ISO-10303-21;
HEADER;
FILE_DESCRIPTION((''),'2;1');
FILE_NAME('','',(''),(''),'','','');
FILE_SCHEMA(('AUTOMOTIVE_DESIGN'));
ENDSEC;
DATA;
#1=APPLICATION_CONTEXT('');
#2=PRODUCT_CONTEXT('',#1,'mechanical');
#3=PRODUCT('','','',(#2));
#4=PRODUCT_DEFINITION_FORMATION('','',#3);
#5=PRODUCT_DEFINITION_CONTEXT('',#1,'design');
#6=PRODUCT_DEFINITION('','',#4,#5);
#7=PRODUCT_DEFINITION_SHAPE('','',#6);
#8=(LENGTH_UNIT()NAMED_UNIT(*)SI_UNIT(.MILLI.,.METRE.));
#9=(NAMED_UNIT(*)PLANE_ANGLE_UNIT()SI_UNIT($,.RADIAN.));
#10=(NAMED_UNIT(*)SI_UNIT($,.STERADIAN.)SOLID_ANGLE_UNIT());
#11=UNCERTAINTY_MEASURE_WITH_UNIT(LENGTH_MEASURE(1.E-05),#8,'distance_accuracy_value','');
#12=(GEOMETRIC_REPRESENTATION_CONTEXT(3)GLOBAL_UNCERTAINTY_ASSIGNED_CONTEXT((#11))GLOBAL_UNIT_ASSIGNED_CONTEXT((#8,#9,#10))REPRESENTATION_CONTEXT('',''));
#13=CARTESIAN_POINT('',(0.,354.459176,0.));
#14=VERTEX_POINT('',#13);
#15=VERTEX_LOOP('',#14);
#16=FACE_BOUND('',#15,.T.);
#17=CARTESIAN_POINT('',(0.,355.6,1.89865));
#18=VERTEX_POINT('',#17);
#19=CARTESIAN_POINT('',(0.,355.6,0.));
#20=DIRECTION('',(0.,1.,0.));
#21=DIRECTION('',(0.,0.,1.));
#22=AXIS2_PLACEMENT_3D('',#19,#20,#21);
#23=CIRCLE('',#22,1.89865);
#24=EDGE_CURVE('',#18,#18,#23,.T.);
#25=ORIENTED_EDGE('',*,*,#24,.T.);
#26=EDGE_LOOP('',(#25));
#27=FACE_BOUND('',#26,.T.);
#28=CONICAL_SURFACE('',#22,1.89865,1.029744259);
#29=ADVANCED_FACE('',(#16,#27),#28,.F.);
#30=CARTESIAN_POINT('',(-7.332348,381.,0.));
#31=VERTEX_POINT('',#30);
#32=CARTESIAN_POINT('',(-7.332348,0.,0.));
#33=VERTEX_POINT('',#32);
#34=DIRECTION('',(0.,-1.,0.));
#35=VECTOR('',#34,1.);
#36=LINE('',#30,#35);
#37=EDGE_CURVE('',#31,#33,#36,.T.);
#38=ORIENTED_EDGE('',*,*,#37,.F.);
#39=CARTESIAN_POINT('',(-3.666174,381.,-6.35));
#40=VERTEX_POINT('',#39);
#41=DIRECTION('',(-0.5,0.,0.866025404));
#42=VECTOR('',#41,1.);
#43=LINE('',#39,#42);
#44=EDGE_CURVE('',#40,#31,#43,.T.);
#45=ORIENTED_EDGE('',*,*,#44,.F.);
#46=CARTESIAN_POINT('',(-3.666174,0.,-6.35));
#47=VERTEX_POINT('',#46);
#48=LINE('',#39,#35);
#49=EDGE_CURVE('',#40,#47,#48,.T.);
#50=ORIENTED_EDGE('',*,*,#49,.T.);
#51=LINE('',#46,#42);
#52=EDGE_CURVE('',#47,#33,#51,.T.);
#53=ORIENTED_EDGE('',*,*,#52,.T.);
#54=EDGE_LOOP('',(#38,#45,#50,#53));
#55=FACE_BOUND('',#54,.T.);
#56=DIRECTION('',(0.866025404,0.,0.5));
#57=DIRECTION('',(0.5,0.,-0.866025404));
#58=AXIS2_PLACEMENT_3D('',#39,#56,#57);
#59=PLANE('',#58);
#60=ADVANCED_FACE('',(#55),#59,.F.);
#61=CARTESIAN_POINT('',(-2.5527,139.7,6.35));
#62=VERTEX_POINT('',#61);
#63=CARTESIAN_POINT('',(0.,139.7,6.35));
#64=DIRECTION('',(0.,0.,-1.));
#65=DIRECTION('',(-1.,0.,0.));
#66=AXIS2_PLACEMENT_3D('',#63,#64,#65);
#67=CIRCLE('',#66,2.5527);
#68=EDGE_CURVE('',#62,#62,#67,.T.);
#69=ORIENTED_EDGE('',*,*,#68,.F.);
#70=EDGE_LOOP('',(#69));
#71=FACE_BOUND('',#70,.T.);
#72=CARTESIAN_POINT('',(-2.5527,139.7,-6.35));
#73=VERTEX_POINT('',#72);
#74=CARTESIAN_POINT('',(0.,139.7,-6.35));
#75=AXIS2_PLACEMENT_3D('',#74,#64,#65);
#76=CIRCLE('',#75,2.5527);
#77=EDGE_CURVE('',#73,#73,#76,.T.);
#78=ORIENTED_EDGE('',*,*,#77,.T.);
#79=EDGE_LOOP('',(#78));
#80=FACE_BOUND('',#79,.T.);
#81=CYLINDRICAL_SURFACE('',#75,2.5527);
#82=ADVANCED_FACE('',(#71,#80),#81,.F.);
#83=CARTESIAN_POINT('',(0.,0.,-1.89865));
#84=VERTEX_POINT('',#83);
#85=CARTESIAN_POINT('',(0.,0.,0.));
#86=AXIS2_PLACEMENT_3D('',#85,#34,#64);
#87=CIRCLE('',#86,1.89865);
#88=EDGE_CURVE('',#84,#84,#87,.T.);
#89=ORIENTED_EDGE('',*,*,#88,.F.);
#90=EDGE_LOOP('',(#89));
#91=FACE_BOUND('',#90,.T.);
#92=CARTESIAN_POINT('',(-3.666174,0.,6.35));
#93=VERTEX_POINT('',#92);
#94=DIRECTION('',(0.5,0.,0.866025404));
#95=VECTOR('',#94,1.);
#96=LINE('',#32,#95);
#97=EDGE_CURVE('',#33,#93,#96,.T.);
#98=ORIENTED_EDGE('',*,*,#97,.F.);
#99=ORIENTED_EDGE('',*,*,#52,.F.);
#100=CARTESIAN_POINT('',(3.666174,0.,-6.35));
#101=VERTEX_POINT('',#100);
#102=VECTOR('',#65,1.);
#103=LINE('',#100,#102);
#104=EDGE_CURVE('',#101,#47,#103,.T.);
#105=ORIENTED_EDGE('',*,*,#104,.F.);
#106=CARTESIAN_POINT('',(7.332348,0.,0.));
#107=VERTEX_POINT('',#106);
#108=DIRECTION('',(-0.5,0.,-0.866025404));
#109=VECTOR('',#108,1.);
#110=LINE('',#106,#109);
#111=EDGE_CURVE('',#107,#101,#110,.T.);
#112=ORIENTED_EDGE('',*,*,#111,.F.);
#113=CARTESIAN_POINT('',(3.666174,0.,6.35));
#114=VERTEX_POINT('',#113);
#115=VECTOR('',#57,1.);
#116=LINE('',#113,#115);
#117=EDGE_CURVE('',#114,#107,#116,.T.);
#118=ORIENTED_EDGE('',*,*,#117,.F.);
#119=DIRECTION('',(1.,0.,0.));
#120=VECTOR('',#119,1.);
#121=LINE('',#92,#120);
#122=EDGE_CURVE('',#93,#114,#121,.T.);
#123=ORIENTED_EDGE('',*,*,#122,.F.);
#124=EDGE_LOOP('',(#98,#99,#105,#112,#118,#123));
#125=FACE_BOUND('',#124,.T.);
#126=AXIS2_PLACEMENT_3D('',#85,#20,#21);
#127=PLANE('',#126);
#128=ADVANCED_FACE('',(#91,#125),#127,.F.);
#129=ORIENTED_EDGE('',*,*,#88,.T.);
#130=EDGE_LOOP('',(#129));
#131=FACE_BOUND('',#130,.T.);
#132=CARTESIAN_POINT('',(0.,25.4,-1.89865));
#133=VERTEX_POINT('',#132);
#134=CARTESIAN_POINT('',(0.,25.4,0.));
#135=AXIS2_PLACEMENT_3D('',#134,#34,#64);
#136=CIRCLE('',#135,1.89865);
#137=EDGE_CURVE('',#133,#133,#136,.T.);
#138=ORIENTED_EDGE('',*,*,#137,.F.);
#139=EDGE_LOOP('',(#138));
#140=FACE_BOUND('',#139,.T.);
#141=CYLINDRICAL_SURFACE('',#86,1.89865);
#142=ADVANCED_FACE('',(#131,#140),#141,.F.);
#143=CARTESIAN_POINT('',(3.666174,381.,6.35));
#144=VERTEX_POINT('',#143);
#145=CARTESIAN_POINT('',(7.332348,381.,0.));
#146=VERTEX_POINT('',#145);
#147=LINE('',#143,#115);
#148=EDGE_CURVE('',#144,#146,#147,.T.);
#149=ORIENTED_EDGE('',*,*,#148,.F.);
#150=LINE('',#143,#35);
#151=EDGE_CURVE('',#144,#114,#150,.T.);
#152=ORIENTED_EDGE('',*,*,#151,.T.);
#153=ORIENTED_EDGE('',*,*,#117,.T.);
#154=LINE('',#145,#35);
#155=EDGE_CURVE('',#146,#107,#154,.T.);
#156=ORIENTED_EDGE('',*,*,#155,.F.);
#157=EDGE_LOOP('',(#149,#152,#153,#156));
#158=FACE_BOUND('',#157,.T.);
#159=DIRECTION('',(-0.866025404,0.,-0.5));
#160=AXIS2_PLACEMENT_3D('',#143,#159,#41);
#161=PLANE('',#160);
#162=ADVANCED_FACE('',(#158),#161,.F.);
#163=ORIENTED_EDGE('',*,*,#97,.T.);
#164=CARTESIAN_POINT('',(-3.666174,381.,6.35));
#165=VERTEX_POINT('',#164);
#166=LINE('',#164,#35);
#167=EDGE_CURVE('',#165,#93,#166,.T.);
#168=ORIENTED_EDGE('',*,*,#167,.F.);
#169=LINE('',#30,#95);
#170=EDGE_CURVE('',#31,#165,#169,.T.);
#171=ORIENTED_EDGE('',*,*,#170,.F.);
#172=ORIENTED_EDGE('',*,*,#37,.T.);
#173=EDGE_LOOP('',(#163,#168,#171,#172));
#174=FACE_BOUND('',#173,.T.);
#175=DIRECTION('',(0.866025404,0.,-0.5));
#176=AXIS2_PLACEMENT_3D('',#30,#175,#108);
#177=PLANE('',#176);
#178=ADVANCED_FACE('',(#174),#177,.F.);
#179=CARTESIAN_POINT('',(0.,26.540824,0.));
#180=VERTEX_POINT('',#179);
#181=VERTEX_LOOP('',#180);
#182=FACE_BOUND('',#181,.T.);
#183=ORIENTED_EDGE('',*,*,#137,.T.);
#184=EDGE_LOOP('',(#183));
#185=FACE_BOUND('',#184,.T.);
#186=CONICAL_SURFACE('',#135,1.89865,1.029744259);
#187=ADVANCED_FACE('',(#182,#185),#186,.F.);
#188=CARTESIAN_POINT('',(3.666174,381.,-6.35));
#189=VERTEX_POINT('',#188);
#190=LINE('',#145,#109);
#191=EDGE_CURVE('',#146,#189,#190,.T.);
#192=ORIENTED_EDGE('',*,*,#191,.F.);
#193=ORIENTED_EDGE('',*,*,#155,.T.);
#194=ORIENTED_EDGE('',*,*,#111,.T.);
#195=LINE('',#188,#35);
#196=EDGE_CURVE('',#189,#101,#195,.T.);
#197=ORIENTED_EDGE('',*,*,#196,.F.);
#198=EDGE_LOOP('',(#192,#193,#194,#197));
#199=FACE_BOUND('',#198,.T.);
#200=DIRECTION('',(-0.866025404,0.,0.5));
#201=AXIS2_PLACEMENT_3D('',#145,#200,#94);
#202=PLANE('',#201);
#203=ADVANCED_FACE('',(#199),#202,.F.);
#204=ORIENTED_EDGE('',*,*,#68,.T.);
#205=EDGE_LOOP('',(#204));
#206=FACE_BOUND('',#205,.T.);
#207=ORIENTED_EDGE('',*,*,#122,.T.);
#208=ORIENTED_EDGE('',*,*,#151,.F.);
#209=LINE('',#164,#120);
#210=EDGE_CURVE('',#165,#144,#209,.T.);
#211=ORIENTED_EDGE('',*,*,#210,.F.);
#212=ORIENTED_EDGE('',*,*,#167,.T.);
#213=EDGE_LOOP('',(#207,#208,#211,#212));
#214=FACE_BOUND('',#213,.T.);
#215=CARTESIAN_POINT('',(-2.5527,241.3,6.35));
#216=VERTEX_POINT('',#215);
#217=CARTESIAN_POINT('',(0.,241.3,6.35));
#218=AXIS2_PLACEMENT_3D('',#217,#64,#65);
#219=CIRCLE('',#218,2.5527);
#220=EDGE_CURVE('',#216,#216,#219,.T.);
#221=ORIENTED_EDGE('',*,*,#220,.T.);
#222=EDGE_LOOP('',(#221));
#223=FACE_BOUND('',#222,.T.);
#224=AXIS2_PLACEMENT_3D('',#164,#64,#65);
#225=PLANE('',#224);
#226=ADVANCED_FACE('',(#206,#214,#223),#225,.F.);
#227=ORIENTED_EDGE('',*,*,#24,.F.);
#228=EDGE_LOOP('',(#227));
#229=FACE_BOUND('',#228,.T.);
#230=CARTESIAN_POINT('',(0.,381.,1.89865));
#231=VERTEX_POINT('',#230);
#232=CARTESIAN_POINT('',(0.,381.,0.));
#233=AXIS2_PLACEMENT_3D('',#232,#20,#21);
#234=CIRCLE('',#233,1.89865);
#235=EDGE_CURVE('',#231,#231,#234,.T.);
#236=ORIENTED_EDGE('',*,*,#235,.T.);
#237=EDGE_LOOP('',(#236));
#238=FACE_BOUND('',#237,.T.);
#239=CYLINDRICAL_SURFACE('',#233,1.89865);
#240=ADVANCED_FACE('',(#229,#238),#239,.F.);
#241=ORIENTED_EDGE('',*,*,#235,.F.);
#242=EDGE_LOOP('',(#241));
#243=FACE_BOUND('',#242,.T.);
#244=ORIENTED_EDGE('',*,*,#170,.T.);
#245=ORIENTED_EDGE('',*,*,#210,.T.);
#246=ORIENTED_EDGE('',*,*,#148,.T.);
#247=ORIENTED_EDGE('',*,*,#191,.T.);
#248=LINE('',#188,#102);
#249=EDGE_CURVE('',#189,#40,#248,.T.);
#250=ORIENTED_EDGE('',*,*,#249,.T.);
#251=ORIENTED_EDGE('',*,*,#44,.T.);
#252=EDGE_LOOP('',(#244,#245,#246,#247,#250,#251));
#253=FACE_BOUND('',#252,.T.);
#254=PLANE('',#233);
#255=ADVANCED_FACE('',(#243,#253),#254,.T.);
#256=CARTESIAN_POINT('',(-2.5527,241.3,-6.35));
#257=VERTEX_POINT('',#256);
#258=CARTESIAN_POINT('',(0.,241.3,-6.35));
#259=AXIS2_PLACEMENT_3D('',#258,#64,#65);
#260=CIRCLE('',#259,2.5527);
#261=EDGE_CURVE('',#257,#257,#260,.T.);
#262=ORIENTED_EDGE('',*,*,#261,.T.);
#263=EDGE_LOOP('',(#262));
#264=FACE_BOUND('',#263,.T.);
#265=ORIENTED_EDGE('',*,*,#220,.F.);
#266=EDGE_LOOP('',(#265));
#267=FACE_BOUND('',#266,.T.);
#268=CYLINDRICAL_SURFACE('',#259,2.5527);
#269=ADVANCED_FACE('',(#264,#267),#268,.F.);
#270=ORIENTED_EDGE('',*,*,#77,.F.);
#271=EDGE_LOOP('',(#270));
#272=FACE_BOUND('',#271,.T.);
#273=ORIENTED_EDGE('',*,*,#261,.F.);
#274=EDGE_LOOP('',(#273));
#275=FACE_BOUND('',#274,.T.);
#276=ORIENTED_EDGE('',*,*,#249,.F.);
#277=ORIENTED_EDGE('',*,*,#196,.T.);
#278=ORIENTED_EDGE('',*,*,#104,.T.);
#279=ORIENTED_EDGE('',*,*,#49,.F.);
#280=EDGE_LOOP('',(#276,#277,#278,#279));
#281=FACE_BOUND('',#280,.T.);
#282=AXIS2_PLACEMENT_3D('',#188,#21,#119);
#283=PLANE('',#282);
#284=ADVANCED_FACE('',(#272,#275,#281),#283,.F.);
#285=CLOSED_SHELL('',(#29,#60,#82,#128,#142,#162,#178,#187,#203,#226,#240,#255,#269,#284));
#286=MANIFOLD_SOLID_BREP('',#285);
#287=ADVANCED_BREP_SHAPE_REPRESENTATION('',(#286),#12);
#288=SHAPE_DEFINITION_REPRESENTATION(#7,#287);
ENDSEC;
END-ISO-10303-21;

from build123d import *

# Parameters (mm, degrees)
BOSS_EXTRUDE1_DEPTH    = 381
F_10_CLEARANCE_HOLE1_D = 5.1054


with BuildPart() as part:
    # Sketch1 → Boss-Extrude1 (new body)
    with BuildSketch(Plane(origin=(0, 0, 0), x_dir=(1, 0, 0), z_dir=(0, 1, 0))):
        Polygon((7.332348419, 0), (3.666174209, 6.35), (-3.666174209, 6.35), (-7.332348419, 0), (-3.666174209, -6.35), (3.666174209, -6.35), align=None)
    extrude(amount=BOSS_EXTRUDE1_DEPTH)

    # Sketch2 → Tap Drill for #10-24 Tap1 (revolve, cut)
    with BuildSketch(Plane(origin=(0, 381, 0), x_dir=(0, 0, 1), z_dir=(1, 0, 0))):
        Polygon((0, 0), (0, 26.540824014), (1.89865, 25.4), (1.89865, 0), align=None)
    tap_drill_for_10_24_tap1 = revolve(axis=Axis((0, 387.35, 0), (0, -1, 0)), mode=Mode.SUBTRACT)

    # Mirror1: Tap Drill for #10-24 Tap1 across plane
    add(tap_drill_for_10_24_tap1.mirror(Plane.ZX.offset(190.5)), mode=Mode.SUBTRACT)

    # #10 Clearance Hole1 (through all)
    with Locations(Plane(origin=(0, 0, -6.35), x_dir=(-1, 0, 0), z_dir=(0, 0, -1))):
        with Locations((0, 139.7), (0, 241.3)):
            Hole(F_10_CLEARANCE_HOLE1_D / 2)


solid = part.part
